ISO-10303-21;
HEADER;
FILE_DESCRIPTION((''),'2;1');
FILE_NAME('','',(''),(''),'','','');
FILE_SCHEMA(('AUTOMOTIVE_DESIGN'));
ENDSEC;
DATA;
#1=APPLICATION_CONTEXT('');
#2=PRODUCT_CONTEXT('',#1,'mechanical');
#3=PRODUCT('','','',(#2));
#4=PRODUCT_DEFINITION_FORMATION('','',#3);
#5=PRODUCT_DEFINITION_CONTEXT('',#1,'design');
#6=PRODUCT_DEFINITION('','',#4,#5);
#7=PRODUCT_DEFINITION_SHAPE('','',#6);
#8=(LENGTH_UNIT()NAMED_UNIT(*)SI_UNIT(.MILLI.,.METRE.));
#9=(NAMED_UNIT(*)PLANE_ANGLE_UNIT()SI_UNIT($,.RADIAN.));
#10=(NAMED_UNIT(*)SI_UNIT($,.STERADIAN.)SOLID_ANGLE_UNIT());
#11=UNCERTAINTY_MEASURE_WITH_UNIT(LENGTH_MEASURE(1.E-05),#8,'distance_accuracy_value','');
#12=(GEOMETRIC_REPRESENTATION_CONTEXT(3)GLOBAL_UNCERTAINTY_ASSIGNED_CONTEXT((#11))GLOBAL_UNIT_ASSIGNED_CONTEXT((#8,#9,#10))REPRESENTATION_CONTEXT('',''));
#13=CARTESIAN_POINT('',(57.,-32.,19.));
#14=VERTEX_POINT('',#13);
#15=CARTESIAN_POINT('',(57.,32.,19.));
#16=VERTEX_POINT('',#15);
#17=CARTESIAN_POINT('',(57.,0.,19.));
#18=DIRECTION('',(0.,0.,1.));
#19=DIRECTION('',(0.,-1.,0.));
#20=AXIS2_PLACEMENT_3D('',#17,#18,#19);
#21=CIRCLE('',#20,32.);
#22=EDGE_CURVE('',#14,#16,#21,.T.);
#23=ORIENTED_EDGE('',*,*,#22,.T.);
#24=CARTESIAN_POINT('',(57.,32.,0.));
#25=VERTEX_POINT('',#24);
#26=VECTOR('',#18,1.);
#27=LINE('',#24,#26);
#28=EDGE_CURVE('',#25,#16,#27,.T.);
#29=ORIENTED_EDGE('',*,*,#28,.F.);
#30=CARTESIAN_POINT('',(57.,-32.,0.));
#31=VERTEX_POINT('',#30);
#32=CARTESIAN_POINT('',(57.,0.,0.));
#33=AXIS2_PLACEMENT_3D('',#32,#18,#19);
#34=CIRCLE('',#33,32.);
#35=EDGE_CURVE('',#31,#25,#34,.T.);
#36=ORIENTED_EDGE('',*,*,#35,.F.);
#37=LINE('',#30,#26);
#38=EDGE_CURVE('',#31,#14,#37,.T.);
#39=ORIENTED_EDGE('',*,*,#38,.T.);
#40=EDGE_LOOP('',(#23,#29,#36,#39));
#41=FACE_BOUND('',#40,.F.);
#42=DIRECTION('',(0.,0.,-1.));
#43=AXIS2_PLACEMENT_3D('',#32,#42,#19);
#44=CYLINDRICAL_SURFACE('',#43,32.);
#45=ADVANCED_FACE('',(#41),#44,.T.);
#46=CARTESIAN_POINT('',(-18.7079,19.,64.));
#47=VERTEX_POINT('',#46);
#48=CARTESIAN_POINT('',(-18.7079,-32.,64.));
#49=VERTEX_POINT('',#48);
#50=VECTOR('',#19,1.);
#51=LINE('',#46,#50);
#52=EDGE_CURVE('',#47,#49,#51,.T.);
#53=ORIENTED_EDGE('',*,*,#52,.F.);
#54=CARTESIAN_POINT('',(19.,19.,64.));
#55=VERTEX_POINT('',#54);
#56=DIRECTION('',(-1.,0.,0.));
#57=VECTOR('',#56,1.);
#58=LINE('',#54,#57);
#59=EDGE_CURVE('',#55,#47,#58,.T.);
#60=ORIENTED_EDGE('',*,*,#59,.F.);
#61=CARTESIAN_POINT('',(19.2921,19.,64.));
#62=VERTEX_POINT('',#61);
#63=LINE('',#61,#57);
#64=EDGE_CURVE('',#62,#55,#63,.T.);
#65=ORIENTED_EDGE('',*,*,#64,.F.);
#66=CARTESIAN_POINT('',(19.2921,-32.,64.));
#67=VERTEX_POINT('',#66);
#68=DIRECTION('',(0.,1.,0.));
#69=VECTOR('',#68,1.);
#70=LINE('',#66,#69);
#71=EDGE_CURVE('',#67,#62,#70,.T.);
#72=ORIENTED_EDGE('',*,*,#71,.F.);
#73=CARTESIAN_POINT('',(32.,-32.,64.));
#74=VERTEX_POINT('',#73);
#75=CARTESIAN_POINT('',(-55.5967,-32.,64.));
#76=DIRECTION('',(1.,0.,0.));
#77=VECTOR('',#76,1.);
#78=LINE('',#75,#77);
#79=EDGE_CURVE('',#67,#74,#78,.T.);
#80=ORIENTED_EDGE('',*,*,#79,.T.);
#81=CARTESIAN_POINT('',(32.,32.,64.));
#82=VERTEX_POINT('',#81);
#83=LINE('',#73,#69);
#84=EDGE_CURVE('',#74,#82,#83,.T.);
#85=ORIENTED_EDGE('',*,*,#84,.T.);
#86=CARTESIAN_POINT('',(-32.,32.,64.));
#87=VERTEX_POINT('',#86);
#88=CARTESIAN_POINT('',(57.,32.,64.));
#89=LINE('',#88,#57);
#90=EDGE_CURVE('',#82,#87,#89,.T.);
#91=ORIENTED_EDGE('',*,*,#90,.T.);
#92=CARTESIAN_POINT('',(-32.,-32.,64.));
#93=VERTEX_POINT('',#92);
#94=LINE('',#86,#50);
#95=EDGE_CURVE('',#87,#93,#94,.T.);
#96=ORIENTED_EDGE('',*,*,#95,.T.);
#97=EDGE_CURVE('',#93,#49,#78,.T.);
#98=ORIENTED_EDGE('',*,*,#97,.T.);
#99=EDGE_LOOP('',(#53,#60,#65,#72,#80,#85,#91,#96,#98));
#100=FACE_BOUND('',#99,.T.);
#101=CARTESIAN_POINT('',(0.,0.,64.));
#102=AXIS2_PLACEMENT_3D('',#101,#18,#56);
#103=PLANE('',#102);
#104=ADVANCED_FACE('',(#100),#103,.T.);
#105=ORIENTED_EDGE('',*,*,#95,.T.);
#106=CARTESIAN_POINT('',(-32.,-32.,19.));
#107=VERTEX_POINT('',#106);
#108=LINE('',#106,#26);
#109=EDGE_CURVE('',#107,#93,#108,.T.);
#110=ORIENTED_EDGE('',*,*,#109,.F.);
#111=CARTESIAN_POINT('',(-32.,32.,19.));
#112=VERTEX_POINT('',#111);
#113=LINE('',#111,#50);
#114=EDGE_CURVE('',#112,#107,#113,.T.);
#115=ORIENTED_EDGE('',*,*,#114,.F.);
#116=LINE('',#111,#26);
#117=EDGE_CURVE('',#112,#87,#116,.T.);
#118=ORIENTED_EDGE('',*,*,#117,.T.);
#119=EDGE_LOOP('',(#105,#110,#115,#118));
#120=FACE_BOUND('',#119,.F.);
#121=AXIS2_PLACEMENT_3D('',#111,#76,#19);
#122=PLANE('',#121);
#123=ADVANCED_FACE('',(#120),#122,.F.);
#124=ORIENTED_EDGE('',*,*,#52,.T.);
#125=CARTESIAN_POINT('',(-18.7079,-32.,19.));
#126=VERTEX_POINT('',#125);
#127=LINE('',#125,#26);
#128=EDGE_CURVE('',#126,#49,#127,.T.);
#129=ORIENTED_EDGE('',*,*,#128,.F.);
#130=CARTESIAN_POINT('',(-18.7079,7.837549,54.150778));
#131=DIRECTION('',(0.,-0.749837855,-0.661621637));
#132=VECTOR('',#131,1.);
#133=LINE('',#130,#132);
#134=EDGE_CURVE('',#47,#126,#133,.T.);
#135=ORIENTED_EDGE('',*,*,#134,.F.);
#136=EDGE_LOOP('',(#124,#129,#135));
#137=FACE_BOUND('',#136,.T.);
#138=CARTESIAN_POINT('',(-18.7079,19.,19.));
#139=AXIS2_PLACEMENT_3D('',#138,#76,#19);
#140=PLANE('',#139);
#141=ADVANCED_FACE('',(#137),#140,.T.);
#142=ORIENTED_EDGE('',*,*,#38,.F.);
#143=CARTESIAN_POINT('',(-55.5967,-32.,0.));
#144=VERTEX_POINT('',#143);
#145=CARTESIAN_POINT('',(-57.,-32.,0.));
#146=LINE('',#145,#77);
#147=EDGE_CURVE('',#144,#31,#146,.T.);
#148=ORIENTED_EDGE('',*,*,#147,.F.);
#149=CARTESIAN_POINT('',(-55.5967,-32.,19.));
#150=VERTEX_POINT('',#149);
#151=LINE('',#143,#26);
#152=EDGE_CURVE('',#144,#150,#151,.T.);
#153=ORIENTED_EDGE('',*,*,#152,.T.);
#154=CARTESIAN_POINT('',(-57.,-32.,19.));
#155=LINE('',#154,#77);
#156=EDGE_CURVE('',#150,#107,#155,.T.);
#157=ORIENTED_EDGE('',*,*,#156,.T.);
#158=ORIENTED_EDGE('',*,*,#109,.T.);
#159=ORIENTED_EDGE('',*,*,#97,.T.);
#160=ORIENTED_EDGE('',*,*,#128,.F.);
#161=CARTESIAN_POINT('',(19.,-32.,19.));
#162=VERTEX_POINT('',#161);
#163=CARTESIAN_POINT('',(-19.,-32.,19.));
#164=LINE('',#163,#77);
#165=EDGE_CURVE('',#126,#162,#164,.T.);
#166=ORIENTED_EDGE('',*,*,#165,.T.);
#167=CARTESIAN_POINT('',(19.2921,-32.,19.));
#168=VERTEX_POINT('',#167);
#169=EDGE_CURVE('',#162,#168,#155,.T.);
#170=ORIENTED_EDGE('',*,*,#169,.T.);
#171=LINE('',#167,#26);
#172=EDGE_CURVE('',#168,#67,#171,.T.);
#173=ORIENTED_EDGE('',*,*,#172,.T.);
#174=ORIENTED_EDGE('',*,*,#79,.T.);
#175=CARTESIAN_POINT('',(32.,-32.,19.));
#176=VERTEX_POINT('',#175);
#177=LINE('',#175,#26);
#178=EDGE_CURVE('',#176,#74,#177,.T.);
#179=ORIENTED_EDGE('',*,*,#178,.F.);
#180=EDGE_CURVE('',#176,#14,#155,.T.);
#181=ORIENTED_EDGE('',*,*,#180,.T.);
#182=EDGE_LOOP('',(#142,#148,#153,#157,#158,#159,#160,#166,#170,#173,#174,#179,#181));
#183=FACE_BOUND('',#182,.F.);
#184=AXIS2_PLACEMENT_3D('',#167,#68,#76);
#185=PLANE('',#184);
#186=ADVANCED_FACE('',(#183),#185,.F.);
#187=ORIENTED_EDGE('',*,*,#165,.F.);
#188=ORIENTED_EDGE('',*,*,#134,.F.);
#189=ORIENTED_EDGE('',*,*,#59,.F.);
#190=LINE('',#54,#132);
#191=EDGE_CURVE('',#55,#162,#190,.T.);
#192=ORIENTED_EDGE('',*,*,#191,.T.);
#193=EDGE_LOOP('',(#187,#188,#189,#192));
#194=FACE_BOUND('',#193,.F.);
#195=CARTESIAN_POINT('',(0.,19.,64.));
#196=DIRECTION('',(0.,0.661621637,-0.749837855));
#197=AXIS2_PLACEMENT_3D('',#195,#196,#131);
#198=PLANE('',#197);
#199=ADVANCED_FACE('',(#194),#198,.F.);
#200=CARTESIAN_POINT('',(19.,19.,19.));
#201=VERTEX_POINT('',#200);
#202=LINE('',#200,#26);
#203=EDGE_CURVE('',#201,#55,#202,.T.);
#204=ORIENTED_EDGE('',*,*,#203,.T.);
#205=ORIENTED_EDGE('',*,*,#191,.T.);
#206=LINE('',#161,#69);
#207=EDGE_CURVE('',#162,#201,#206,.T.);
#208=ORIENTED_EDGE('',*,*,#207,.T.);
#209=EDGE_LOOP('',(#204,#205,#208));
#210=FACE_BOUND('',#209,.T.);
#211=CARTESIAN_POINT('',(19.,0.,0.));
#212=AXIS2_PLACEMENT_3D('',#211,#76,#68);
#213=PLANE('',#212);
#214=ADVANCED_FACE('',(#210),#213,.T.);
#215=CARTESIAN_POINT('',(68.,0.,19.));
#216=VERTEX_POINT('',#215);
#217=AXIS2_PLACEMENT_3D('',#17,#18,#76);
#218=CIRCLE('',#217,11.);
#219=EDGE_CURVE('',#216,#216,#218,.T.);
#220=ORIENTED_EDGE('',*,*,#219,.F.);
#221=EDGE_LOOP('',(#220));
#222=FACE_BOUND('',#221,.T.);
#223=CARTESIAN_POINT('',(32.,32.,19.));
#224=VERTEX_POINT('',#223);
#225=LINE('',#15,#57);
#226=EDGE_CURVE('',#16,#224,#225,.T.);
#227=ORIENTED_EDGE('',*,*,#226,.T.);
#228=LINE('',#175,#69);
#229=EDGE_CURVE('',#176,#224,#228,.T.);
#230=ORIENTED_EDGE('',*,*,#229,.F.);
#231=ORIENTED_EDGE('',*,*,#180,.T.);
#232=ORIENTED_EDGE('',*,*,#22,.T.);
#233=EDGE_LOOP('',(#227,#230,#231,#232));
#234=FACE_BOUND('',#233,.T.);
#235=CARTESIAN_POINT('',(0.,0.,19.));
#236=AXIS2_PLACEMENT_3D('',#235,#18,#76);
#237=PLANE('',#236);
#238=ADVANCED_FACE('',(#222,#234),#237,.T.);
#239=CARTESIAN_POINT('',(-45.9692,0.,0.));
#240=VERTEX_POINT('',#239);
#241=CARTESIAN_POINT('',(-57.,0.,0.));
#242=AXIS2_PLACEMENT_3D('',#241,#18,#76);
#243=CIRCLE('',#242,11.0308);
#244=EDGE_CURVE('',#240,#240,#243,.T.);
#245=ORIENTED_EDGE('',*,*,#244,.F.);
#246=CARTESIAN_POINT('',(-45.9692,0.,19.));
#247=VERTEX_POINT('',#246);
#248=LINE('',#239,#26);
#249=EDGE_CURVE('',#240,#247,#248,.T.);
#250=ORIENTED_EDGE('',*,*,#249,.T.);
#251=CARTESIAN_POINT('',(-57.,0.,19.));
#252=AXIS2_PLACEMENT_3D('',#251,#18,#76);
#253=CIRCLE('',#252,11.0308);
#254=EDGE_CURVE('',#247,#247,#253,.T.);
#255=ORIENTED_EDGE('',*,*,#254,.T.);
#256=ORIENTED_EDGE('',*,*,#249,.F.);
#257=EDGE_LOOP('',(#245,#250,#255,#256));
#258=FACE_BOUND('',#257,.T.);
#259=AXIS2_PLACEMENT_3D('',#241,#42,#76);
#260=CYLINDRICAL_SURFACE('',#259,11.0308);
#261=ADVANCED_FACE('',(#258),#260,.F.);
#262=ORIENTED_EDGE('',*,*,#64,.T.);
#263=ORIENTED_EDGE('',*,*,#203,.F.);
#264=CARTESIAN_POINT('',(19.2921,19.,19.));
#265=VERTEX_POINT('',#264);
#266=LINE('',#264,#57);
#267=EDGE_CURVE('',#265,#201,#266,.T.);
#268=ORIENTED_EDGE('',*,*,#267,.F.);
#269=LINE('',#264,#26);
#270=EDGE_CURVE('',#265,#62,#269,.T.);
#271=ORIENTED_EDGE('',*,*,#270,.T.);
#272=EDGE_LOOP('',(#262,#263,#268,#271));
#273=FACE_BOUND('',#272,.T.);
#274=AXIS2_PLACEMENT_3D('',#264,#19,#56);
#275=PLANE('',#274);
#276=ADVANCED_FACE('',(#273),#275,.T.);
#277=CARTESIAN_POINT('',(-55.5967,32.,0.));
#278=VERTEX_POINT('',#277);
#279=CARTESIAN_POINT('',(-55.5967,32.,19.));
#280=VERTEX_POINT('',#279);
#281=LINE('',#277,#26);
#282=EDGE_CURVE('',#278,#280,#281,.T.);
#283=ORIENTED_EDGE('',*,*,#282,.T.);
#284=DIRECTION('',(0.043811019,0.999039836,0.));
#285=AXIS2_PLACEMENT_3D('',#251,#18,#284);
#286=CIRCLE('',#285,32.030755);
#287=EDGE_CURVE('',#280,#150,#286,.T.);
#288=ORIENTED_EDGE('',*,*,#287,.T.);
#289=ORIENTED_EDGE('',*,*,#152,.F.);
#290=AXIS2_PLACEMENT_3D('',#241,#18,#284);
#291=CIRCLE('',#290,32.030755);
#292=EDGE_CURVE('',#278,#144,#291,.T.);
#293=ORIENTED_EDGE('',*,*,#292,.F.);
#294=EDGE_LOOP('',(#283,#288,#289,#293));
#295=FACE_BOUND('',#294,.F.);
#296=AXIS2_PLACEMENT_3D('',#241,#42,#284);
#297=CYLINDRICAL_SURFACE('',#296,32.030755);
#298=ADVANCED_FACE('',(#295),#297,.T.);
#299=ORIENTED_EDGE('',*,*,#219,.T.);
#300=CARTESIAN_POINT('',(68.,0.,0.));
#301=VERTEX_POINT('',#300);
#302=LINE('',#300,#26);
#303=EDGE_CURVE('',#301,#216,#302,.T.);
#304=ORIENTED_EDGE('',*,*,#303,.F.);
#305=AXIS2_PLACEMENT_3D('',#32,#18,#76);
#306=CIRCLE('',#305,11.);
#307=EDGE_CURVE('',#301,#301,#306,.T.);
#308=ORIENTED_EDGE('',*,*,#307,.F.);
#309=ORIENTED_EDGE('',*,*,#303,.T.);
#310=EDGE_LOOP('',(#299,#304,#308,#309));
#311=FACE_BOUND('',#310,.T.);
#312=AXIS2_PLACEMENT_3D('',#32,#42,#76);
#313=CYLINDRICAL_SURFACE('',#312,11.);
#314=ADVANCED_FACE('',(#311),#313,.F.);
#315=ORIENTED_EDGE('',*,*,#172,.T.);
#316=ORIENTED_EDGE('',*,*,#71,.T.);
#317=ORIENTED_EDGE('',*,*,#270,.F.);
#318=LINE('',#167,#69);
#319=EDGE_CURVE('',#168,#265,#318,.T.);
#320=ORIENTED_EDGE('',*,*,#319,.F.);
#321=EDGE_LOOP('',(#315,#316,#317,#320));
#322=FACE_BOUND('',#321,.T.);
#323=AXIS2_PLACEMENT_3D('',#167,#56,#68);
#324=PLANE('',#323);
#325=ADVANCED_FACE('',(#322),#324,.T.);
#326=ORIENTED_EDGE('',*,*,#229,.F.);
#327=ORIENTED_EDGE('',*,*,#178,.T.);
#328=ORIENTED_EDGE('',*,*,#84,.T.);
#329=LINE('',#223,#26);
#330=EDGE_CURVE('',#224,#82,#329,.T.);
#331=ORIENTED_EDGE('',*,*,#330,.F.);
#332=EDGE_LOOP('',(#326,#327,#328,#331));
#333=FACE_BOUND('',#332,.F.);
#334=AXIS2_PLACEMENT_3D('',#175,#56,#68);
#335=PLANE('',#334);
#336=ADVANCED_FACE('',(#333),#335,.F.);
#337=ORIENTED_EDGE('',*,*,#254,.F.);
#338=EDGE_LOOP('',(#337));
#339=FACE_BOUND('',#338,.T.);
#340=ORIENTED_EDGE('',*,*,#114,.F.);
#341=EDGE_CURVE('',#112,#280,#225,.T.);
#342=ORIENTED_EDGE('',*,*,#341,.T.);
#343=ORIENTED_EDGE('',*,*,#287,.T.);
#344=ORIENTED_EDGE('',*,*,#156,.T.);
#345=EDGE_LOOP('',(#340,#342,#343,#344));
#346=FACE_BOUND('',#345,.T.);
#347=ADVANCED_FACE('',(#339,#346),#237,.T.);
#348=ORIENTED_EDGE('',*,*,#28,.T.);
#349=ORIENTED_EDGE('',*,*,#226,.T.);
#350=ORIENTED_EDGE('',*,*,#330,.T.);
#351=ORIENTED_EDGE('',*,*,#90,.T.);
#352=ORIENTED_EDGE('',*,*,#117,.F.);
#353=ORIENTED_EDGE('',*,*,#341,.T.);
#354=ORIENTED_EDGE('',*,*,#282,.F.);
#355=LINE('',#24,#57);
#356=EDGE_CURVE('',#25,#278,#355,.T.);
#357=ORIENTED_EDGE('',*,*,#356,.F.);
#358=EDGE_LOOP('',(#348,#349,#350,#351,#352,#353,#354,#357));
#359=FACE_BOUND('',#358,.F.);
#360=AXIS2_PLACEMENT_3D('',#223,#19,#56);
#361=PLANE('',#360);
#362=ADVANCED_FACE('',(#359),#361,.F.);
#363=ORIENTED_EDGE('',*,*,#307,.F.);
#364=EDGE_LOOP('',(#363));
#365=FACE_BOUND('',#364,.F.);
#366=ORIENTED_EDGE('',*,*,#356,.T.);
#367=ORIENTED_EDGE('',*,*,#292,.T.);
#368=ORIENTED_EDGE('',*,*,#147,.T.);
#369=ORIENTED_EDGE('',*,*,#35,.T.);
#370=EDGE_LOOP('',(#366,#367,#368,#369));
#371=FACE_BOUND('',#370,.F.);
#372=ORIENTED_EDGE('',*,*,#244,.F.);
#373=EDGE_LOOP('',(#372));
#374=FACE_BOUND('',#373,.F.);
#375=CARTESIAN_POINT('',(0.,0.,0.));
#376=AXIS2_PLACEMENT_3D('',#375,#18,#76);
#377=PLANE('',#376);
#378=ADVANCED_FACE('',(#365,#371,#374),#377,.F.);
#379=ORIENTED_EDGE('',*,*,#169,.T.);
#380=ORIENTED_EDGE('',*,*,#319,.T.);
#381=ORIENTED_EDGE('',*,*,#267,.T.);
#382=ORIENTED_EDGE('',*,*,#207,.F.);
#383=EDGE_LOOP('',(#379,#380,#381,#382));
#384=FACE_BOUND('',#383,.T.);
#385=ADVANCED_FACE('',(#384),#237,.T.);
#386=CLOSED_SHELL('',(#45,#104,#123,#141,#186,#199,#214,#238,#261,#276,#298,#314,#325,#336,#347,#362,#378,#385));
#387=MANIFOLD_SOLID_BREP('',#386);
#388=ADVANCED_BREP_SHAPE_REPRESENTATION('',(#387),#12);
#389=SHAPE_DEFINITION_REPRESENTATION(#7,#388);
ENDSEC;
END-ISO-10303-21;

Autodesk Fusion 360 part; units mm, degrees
sketch "Base Sketch" plane through (0, 0, 0) normal (0, 0, 1) x (1, 0, 0)
  line L0 (57, 32) -> (-57, 32)
  line L1 (-57, -32) -> (57, -32)
  circle A0 centre (57, 0) radius 11
  circle A1 centre (-57, 0) radius 11.0308
  arc A2 (-55.5967, 32) -> (-55.5967, -32) centre (-57, 0) ccw
  arc A3 (57, -32) -> (57, 32) centre (57, 0) ccw
  dimension "d1" = 114
  dimension "d2" = 64
  dimension "d3" = 64.0615
extrude "Extrude1" add sketch "Base Sketch" along normal blind 19
sketch "Cube Sketch" plane through (0, 0, 19) normal (0, 0, 1) x (-1, 0, 0)
  circle A0 centre (57, 0) radius 11.0308
  circle A1 centre (-57, 0) radius 11
  arc A2 (-57, 32) -> (-57, -32) centre (-57, 0) ccw
  line L0 (-57, -32) -> (55.5967, -32)
  arc A3 (55.5967, -32) -> (55.5967, 32) centre (57, 0) ccw
  line L1 (55.5967, 32) -> (-57, 32)
  line L2 (32, 32) -> (-32, 32)
  line L3 (-32, 32) -> (-32, -32)
  line L4 (-32, -32) -> (32, -32)
  line L5 (32, -32) -> (32, 32)
  line L6 (32, 32) -> (-32, -32) construction
  line L7 (-32, 32) -> (32, -32) construction
  line L8 (18.7079, 32) -> (-19.2921, 32)
  line L9 (-19.2921, 32) -> (-19.2921, -19)
  line L10 (-19.2921, -19) -> (18.7079, -19)
  line L11 (18.7079, -19) -> (18.7079, 32)
  dimension "d8" = 64
  dimension "d9" = 64
  dimension "d10" = 38
  dimension "d11" = 51
sketch "Triangle Sketch" plane through (0, 0, 0) normal (1, 0, 0) x (0, 1, 0)
  line L0 (-32, 19) -> (19, 19)
  line L1 (19, 19) -> (19, 64)
  line L2 (19, 64) -> (-32, 19)
  dimension "d12" = 51
  dimension "d13" = 45
extrude "Extrude2" add sketch "Triangle Sketch" along normal mid plane 38
extrude "Extrude3" add sketch "Cube Sketch" along normal blind 45 contours L0 L1 L2 L3 L4 L5 L9 L10 L11
equation "d2 = ( 32 * 2 ) * 1 mm"
equation "d13 = 64 mm - 19 mm"
